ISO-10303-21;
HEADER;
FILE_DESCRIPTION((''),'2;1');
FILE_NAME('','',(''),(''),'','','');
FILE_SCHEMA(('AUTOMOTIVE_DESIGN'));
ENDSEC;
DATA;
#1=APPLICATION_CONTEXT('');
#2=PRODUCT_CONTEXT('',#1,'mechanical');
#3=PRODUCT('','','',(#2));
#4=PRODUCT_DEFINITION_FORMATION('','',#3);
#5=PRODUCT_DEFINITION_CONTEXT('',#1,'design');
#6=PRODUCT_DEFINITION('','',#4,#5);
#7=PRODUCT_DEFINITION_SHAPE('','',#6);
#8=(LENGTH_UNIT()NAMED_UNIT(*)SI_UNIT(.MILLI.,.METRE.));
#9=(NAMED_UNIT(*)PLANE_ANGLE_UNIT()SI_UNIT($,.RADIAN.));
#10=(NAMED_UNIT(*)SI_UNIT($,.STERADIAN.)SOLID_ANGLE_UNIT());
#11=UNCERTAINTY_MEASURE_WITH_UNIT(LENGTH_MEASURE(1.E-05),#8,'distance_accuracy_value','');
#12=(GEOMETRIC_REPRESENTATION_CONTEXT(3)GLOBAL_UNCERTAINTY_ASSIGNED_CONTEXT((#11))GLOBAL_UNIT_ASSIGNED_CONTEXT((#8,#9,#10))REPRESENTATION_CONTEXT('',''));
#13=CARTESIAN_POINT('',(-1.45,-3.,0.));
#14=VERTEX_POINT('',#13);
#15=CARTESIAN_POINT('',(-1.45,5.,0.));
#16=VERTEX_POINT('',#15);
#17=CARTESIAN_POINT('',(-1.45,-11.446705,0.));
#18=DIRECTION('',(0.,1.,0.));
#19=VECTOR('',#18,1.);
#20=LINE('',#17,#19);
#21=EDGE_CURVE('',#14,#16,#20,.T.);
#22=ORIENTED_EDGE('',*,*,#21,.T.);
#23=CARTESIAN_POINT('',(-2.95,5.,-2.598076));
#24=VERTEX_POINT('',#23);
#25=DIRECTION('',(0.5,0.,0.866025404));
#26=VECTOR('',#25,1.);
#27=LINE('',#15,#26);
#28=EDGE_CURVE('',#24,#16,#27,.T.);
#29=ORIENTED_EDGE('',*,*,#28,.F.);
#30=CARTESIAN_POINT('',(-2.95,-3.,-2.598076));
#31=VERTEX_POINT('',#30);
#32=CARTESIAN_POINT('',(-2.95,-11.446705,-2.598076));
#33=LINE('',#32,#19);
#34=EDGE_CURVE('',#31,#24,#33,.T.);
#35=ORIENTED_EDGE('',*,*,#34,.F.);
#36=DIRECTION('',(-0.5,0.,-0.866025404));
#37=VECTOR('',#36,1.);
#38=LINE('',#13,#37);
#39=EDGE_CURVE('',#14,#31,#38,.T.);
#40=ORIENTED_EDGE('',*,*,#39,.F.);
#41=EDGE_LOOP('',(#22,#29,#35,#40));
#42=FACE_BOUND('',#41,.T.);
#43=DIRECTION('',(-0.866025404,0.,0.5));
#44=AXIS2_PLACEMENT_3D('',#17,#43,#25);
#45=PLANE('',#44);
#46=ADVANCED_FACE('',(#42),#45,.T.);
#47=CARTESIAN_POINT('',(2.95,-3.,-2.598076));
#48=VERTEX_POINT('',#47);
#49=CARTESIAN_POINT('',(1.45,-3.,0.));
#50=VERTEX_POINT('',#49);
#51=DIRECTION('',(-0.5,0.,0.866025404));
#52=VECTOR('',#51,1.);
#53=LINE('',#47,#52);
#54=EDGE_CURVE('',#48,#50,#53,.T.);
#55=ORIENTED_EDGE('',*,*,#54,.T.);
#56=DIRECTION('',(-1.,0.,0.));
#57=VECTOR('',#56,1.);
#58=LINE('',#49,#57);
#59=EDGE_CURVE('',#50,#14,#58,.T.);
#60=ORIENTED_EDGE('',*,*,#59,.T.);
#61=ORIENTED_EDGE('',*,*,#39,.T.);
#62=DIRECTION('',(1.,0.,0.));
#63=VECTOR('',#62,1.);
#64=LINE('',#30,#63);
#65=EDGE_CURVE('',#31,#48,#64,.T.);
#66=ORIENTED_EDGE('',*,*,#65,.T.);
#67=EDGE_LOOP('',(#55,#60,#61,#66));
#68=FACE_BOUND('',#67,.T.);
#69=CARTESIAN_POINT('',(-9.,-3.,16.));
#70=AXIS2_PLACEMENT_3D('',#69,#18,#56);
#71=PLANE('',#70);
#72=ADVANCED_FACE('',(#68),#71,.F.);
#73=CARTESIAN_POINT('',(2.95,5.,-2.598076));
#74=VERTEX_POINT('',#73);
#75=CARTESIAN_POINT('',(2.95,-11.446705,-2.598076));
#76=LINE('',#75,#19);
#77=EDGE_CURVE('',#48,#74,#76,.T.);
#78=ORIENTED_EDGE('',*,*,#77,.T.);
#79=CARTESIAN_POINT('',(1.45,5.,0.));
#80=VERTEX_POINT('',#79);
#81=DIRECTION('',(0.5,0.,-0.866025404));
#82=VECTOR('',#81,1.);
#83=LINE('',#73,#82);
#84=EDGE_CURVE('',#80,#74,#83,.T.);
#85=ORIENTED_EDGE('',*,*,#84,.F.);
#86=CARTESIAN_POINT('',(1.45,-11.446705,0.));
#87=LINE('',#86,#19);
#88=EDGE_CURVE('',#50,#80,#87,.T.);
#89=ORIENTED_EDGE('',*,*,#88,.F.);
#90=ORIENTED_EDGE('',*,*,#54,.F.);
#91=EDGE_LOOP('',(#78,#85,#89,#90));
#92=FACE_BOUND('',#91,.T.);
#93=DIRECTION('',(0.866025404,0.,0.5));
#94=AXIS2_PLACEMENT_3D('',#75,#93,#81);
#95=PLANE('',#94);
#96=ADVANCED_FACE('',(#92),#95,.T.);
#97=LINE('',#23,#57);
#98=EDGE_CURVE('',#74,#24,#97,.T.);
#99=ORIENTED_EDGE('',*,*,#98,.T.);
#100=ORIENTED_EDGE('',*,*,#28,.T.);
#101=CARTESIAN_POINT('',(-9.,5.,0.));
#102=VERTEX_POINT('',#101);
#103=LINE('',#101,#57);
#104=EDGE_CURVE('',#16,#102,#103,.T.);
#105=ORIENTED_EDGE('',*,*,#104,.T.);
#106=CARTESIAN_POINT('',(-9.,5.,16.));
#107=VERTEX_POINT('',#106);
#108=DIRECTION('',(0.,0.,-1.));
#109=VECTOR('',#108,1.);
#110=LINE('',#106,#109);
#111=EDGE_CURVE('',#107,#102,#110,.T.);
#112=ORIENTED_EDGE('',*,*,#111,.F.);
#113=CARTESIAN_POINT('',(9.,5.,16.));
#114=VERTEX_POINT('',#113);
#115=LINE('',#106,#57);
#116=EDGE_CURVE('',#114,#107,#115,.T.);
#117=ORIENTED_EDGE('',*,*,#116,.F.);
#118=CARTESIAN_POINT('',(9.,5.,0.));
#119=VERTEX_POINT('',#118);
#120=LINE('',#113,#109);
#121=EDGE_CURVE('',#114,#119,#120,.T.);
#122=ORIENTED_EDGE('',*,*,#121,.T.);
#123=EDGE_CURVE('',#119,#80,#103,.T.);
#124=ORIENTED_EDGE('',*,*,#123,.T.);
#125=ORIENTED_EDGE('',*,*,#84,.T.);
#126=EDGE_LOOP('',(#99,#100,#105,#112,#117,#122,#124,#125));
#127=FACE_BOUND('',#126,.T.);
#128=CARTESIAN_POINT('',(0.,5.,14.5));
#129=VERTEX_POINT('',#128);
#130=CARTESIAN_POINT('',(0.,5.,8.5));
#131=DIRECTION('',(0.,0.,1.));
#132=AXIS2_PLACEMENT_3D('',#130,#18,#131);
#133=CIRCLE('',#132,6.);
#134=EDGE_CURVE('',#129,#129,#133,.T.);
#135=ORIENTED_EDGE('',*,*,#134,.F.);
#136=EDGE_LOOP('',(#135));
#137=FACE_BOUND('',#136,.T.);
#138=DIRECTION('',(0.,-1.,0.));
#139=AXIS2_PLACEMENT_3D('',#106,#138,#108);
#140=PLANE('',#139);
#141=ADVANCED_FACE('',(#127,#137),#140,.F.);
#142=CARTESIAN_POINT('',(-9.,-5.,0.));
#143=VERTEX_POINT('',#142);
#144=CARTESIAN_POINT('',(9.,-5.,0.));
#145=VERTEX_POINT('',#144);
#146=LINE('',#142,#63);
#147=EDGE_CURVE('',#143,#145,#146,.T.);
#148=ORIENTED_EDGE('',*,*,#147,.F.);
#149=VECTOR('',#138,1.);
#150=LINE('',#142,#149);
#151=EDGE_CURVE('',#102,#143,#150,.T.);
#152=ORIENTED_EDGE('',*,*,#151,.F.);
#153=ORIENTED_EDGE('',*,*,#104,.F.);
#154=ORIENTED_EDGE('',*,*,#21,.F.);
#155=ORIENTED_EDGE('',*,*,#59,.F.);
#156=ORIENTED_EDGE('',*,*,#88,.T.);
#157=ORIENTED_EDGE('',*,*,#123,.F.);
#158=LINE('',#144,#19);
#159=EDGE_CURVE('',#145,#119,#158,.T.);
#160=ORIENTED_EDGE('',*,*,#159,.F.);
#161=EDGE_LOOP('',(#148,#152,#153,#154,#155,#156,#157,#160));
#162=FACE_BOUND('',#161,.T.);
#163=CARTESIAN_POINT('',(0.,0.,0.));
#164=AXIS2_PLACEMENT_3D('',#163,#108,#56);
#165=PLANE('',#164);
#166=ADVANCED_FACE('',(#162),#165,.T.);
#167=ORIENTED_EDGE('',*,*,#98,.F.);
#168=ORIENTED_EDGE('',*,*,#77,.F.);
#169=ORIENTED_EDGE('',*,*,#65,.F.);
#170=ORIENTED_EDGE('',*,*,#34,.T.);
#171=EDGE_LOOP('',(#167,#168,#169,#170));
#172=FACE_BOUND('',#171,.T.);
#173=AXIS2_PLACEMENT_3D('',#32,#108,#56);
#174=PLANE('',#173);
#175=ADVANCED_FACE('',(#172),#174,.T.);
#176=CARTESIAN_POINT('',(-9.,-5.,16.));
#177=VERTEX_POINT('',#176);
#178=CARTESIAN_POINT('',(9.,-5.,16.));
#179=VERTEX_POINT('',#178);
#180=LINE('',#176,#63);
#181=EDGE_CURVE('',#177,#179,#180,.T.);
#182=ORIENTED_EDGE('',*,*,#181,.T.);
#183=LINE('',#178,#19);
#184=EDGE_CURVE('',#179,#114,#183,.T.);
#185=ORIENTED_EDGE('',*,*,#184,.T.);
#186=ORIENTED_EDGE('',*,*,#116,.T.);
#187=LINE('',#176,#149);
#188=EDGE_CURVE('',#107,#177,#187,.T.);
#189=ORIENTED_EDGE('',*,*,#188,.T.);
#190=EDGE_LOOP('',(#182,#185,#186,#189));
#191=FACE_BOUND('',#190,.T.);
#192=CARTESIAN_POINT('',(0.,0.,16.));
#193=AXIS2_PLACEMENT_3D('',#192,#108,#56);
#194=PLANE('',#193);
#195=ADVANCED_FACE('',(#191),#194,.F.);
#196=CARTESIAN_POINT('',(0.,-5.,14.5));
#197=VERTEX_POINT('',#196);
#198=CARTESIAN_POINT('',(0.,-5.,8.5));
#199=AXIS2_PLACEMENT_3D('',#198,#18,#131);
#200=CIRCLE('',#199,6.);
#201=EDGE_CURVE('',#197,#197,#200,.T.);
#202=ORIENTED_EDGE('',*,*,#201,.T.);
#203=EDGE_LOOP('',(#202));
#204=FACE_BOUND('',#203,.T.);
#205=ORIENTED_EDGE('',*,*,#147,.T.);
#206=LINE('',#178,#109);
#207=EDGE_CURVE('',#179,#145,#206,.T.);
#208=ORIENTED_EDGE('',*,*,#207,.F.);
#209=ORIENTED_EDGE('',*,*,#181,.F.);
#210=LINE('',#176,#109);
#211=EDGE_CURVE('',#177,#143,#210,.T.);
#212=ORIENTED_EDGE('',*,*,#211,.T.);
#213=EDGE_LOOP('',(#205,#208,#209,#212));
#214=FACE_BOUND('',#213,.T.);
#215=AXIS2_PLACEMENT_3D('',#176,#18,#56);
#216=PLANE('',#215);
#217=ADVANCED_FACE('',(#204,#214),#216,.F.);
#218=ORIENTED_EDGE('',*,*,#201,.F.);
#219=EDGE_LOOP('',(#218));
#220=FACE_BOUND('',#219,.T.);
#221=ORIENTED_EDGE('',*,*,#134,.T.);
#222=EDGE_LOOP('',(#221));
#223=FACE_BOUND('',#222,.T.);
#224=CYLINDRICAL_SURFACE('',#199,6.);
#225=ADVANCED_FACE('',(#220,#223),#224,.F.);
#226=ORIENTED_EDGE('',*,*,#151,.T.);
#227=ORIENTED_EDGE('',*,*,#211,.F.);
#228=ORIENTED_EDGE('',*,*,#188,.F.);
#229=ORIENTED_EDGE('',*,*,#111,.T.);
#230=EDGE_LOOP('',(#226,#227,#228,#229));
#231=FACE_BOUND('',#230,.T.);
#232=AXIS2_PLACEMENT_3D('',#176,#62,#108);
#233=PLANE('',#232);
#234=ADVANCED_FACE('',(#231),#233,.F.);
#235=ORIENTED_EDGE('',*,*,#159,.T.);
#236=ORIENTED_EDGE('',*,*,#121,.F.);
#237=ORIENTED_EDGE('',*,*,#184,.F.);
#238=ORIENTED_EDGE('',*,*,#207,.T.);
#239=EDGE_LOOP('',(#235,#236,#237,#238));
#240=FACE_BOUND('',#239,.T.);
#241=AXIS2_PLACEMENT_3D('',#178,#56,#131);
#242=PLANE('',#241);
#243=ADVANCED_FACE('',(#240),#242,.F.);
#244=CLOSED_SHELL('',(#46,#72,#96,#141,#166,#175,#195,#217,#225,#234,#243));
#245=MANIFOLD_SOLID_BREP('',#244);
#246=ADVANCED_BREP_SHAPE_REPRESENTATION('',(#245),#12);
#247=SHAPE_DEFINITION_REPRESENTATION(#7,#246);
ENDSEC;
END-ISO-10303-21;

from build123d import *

# Parameters (mm, degrees)
SKETCH1_W           = 18
SKETCH1_H           = 10
BOSS_EXTRUDE1_DEPTH = 16
SKETCH6_R           = 6
CUT_EXTRUDE1_DEPTH  = 11
BOSS_EXTRUDE2_DEPTH = 8


with BuildPart() as part:
    # Sketch1 → Boss-Extrude1 (new body)
    with BuildSketch(Plane.XY):
        Rectangle(SKETCH1_W, SKETCH1_H)
    extrude(amount=BOSS_EXTRUDE1_DEPTH)

    # Sketch6 → Cut-Extrude1 (cut, through all)
    with BuildSketch(Plane(origin=(0, 5, 0), x_dir=(1, 0, 0), z_dir=(0, 1, 0))):
        with Locations((0, -8.5)):
            Circle(SKETCH6_R)
    extrude(amount=-CUT_EXTRUDE1_DEPTH, mode=Mode.SUBTRACT)

    # Sketch8 → Boss-Extrude2 (add)
    with BuildSketch(Plane(origin=(0, 5, 0), x_dir=(1, 0, 0), z_dir=(0, 1, 0))):
        Polygon((-1.45, 0), (-2.95, 2.598076211), (2.95, 2.598076211), (1.45, 0), align=None)
    extrude(amount=-BOSS_EXTRUDE2_DEPTH)


solid = part.part
